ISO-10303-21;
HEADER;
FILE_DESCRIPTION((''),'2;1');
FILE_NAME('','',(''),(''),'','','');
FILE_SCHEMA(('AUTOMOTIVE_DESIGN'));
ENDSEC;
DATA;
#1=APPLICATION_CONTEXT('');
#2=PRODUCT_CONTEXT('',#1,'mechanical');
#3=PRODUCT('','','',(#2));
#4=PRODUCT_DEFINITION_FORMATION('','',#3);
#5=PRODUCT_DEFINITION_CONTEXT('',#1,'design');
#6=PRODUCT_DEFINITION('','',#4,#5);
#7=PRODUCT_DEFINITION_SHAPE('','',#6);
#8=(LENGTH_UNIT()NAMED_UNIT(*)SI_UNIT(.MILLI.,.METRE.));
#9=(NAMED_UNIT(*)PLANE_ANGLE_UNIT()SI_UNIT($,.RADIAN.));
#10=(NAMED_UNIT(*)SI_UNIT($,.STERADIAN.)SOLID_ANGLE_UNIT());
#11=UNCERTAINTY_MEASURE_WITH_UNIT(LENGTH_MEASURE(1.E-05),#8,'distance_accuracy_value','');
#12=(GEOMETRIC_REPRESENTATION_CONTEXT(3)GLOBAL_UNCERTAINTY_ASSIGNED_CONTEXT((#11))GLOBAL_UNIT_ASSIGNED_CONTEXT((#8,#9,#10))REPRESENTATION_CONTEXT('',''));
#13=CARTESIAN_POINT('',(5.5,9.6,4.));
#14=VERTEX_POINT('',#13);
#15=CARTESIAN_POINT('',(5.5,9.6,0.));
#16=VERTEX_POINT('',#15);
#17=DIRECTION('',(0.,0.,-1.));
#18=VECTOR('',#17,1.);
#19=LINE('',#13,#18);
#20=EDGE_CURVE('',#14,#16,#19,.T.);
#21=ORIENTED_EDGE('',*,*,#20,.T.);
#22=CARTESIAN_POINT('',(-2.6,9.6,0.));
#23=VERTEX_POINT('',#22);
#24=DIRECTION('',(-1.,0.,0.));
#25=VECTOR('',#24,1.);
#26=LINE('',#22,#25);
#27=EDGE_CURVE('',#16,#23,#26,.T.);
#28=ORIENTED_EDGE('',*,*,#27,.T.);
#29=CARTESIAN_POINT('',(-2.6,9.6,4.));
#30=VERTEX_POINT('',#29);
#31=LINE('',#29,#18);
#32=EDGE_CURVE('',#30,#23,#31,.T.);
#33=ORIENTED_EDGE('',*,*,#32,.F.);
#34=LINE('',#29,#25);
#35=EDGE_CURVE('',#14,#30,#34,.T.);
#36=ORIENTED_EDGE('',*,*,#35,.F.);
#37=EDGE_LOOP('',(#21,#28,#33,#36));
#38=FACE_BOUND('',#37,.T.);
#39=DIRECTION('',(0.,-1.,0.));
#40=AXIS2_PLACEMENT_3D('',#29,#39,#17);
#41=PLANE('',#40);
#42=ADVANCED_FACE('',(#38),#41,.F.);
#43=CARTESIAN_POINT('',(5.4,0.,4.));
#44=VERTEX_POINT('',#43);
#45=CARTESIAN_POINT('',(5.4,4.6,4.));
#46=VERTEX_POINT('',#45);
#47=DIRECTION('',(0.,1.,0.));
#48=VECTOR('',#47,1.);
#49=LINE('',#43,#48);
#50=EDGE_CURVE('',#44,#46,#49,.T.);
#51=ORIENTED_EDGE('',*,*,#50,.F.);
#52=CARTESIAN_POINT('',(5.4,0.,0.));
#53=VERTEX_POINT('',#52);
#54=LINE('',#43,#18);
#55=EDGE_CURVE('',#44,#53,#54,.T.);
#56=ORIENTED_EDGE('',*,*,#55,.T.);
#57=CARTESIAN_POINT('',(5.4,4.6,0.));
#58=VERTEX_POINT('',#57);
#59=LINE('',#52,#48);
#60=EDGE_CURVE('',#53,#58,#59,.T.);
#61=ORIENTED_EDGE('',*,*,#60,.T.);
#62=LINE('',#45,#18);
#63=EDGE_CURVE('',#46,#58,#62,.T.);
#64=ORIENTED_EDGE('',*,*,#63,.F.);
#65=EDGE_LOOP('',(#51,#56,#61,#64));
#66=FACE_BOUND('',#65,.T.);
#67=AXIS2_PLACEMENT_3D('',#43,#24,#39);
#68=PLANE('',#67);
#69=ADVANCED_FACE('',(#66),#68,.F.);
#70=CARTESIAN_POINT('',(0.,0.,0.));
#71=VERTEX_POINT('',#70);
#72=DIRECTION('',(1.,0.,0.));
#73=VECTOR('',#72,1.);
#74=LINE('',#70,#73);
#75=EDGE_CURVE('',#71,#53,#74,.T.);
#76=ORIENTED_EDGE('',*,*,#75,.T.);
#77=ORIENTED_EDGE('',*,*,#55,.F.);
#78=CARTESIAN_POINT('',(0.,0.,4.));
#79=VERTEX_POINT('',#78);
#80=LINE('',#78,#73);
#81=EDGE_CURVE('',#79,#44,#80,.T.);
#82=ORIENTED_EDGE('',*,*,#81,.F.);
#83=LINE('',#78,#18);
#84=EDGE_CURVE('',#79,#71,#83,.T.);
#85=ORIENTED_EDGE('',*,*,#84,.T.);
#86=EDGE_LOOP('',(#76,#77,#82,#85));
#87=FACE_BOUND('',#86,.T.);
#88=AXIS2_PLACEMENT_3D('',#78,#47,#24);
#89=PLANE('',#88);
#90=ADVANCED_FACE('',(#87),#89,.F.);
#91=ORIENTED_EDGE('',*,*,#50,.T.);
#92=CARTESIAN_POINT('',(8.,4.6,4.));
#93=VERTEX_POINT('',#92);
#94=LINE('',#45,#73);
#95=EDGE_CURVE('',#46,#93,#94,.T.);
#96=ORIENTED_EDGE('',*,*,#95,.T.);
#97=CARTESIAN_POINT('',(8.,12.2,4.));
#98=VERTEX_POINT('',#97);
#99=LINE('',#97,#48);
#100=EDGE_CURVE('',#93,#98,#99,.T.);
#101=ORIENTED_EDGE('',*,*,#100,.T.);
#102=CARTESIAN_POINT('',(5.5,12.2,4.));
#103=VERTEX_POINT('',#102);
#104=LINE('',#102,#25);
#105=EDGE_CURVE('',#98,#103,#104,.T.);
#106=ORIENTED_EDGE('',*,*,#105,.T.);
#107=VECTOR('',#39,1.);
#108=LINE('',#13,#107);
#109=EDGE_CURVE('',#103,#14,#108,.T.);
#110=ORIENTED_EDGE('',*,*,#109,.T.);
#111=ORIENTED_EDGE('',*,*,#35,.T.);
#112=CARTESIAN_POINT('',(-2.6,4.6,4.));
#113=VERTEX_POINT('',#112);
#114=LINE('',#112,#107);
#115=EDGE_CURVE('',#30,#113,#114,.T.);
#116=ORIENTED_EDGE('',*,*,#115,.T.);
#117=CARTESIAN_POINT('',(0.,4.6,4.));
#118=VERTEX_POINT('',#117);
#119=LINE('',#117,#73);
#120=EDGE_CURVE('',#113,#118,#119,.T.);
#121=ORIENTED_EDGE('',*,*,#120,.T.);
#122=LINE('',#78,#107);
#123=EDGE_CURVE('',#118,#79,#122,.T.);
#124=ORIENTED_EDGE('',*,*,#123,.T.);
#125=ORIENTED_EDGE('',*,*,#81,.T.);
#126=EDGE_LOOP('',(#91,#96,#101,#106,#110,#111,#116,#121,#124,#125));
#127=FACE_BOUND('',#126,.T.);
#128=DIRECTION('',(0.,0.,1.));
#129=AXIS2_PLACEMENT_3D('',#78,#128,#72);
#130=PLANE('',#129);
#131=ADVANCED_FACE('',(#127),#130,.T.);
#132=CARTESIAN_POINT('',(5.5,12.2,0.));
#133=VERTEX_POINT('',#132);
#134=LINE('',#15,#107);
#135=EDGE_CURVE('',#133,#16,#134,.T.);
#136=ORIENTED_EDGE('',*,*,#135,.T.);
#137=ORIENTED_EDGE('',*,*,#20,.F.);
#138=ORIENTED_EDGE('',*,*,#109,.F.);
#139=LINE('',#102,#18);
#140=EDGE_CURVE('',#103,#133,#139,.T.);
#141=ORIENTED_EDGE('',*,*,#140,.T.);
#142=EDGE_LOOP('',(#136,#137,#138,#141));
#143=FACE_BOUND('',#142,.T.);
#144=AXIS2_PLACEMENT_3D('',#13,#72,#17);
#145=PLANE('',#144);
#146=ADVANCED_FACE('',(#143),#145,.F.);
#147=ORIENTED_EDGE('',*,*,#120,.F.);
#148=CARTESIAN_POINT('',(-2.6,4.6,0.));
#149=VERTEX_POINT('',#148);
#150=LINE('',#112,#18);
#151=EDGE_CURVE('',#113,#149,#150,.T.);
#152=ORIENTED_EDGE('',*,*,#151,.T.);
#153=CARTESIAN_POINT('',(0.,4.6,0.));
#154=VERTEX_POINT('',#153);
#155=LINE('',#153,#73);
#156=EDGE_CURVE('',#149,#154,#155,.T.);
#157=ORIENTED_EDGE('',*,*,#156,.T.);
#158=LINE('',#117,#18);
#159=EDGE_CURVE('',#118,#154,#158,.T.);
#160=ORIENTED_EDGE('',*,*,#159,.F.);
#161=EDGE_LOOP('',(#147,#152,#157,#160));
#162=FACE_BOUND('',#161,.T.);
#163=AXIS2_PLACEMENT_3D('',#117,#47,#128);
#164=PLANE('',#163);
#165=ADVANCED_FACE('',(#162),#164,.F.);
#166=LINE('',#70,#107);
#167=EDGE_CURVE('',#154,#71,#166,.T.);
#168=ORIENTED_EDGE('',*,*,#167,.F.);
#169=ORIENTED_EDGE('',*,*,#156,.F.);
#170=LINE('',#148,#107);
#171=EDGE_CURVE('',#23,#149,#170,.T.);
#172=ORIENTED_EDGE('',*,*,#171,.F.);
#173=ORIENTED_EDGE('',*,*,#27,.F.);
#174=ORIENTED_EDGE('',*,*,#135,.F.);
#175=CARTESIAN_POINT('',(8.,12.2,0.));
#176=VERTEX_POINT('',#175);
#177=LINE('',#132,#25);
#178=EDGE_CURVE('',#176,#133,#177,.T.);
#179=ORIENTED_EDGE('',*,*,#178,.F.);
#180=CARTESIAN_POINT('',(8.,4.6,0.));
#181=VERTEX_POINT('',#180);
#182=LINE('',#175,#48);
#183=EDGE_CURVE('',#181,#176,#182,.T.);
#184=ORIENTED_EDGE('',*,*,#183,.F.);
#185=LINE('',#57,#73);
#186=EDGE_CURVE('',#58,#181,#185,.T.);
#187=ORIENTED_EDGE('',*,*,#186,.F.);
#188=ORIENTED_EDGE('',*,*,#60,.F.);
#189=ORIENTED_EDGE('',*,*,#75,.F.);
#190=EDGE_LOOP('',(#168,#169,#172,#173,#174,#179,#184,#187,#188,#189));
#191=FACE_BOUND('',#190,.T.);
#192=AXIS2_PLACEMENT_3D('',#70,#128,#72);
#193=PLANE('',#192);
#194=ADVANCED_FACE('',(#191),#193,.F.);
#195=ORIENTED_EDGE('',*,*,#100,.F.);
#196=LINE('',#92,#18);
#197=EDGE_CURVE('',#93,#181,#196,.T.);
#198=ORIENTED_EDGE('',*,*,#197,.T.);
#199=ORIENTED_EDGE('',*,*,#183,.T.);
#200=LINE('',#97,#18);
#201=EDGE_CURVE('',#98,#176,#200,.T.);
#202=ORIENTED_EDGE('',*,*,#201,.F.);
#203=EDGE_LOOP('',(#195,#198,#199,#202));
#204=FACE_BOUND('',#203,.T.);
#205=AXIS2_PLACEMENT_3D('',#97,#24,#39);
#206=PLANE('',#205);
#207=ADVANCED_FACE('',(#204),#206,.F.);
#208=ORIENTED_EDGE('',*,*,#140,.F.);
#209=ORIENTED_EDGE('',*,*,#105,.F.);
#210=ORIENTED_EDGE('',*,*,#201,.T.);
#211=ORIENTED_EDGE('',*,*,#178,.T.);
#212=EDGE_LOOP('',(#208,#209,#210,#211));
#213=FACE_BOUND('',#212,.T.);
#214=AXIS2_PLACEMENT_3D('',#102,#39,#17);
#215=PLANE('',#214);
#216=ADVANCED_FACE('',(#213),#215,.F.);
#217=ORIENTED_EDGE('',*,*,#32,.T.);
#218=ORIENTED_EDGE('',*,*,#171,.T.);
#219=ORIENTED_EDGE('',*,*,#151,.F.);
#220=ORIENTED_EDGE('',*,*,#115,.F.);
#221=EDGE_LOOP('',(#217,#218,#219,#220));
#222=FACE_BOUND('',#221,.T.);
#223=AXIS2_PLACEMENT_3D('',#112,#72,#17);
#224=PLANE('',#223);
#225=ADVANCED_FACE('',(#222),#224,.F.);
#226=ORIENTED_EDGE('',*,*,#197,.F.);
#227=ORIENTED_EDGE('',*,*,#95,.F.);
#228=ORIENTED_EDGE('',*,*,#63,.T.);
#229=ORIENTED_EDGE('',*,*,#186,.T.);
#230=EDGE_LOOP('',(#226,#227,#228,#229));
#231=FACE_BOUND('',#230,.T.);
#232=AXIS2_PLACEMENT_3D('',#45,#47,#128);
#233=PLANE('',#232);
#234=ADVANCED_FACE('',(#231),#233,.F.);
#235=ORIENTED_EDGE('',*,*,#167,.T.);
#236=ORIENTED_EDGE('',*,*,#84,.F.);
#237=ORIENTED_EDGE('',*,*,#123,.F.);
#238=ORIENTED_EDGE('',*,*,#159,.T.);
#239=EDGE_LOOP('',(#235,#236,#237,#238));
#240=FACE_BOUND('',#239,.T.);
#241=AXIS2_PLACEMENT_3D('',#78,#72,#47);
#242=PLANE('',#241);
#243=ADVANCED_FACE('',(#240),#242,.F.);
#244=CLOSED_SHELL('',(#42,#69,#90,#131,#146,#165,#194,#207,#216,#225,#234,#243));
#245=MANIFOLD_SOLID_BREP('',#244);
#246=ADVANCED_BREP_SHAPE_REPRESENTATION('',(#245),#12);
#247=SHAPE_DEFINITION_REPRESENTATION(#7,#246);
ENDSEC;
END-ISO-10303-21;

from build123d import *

# Parameters (mm, degrees)
BOSS_EXTRUDE1_DEPTH = 4


with BuildPart() as part:
    # Sketch1 → Boss-Extrude1 (new body)
    with BuildSketch(Plane.XY):
        Polygon((0, 0), (5.4, 0), (5.4, 4.6), (8, 4.6), (8, 12.2), (5.5, 12.2), (5.5, 9.6), (-2.6, 9.6), (-2.6, 4.6), (0, 4.6), align=None)
    extrude(amount=BOSS_EXTRUDE1_DEPTH)


solid = part.part
